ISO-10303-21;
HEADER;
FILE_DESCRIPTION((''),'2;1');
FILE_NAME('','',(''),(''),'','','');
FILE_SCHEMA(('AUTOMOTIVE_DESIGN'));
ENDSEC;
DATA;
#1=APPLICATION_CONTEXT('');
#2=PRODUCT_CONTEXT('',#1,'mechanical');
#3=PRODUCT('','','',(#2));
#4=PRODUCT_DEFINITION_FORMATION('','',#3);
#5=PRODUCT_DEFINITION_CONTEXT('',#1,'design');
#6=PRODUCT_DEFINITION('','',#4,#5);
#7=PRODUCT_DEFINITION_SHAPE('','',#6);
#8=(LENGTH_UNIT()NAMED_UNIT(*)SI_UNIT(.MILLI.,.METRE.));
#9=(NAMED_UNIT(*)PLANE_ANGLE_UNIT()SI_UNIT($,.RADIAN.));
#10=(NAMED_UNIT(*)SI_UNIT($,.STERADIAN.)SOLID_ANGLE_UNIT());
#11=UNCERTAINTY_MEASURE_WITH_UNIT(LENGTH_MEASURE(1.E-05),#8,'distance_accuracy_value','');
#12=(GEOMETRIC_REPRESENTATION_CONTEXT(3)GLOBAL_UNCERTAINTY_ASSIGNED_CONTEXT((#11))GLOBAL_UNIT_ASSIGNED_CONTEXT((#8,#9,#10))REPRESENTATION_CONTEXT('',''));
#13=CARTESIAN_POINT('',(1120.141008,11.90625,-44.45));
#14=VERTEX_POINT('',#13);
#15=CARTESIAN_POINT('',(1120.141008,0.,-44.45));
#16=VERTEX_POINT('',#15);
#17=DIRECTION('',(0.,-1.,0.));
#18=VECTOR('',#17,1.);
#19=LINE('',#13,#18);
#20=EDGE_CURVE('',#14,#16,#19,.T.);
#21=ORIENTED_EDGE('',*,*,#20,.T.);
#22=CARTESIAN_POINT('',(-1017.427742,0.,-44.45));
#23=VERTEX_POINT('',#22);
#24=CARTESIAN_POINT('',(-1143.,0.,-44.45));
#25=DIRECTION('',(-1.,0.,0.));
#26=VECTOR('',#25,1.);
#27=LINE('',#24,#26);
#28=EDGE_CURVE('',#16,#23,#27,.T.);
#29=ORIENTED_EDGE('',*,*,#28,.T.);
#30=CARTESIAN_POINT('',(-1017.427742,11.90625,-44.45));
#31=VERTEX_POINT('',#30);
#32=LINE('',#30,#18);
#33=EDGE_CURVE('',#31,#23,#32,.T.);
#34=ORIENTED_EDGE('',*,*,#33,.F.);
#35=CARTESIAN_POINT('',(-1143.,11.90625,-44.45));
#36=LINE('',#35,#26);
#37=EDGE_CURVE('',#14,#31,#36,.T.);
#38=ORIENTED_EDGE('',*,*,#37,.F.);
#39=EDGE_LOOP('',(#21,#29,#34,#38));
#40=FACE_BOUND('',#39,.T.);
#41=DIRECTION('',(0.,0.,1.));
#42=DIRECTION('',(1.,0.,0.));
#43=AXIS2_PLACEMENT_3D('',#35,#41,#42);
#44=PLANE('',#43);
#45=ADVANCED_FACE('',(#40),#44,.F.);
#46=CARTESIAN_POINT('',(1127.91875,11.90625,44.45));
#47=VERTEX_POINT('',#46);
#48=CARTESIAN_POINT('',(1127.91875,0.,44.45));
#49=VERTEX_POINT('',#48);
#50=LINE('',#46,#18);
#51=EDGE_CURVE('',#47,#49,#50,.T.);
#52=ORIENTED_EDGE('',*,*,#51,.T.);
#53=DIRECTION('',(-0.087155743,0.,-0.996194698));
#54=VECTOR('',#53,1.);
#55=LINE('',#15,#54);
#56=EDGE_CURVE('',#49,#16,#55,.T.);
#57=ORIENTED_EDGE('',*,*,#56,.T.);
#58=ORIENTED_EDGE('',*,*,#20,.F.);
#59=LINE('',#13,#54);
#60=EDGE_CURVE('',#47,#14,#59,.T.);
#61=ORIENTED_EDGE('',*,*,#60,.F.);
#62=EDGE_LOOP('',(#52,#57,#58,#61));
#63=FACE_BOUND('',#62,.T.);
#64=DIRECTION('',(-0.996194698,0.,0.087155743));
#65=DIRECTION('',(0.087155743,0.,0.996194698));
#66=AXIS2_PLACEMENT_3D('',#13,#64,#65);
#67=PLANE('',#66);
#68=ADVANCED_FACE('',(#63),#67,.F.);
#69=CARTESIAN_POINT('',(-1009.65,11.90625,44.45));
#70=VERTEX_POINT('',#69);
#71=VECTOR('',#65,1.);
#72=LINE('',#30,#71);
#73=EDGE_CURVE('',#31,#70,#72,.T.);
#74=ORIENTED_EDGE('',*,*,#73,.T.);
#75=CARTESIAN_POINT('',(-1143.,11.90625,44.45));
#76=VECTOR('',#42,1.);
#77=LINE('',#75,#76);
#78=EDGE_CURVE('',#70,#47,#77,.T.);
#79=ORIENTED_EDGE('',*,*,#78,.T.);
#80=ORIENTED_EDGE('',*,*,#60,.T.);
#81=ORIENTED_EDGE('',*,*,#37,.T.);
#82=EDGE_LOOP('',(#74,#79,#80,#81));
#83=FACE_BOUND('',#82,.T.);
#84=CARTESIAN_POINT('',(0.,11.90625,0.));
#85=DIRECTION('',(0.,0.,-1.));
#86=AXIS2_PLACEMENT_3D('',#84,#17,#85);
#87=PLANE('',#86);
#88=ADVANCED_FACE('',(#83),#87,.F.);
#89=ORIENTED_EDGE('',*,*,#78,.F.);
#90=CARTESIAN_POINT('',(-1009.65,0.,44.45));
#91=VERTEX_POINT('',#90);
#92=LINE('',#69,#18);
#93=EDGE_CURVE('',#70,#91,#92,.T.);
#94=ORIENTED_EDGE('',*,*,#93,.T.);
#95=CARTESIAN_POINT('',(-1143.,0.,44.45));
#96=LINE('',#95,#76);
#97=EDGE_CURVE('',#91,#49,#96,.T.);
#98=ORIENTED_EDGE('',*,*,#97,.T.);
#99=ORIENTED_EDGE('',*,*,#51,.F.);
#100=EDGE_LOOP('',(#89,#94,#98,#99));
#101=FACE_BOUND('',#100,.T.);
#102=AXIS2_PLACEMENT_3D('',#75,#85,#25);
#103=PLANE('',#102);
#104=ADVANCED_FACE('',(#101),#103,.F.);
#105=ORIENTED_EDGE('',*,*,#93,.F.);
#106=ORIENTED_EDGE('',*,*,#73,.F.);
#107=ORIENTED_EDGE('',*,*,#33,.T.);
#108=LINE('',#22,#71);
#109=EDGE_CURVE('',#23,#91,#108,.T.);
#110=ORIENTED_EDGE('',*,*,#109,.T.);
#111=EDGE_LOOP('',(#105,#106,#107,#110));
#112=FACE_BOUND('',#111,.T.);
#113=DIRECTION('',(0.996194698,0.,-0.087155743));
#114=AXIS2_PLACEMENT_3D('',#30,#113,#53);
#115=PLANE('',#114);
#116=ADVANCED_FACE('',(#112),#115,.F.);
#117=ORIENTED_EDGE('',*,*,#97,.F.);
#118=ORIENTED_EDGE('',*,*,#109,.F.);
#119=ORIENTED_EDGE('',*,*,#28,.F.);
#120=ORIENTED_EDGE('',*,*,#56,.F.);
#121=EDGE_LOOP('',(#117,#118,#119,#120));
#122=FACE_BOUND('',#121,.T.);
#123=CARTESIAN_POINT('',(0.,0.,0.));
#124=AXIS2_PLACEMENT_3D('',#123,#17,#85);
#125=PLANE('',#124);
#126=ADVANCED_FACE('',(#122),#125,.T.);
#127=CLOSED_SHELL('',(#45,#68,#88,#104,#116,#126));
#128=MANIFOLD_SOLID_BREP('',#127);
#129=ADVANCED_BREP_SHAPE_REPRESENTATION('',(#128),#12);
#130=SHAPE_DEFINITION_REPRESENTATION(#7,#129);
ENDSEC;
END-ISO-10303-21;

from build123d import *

# Parameters (mm, degrees)
SKETCH1_W           = 2286
SKETCH1_H           = 88.9
BOSS_EXTRUDE1_DEPTH = 11.90625
CUT_EXTRUDE1_DEPTH  = 1144.925942222


with BuildPart() as part:
    # Sketch1 → Boss-Extrude1 (new body)
    with BuildSketch(Plane(origin=(0, 0, 0), x_dir=(1, 0, 0), z_dir=(0, 1, 0))):
        Rectangle(SKETCH1_W, SKETCH1_H)
    extrude(amount=BOSS_EXTRUDE1_DEPTH)

    # Sketch4 → Cut-Extrude1 (cut, through all)
    with BuildSketch(Plane.XZ):
        Polygon((-1143, -44.45), (-1143, 44.45), (-1009.65, 44.45), (-1017.427742187, -44.45), align=None)
        Polygon((1120.141007813, -44.45), (1127.91875, 44.45), (1143, 44.45), (1143, -44.45), align=None)
    extrude(amount=-CUT_EXTRUDE1_DEPTH, mode=Mode.SUBTRACT)


solid = part.part
